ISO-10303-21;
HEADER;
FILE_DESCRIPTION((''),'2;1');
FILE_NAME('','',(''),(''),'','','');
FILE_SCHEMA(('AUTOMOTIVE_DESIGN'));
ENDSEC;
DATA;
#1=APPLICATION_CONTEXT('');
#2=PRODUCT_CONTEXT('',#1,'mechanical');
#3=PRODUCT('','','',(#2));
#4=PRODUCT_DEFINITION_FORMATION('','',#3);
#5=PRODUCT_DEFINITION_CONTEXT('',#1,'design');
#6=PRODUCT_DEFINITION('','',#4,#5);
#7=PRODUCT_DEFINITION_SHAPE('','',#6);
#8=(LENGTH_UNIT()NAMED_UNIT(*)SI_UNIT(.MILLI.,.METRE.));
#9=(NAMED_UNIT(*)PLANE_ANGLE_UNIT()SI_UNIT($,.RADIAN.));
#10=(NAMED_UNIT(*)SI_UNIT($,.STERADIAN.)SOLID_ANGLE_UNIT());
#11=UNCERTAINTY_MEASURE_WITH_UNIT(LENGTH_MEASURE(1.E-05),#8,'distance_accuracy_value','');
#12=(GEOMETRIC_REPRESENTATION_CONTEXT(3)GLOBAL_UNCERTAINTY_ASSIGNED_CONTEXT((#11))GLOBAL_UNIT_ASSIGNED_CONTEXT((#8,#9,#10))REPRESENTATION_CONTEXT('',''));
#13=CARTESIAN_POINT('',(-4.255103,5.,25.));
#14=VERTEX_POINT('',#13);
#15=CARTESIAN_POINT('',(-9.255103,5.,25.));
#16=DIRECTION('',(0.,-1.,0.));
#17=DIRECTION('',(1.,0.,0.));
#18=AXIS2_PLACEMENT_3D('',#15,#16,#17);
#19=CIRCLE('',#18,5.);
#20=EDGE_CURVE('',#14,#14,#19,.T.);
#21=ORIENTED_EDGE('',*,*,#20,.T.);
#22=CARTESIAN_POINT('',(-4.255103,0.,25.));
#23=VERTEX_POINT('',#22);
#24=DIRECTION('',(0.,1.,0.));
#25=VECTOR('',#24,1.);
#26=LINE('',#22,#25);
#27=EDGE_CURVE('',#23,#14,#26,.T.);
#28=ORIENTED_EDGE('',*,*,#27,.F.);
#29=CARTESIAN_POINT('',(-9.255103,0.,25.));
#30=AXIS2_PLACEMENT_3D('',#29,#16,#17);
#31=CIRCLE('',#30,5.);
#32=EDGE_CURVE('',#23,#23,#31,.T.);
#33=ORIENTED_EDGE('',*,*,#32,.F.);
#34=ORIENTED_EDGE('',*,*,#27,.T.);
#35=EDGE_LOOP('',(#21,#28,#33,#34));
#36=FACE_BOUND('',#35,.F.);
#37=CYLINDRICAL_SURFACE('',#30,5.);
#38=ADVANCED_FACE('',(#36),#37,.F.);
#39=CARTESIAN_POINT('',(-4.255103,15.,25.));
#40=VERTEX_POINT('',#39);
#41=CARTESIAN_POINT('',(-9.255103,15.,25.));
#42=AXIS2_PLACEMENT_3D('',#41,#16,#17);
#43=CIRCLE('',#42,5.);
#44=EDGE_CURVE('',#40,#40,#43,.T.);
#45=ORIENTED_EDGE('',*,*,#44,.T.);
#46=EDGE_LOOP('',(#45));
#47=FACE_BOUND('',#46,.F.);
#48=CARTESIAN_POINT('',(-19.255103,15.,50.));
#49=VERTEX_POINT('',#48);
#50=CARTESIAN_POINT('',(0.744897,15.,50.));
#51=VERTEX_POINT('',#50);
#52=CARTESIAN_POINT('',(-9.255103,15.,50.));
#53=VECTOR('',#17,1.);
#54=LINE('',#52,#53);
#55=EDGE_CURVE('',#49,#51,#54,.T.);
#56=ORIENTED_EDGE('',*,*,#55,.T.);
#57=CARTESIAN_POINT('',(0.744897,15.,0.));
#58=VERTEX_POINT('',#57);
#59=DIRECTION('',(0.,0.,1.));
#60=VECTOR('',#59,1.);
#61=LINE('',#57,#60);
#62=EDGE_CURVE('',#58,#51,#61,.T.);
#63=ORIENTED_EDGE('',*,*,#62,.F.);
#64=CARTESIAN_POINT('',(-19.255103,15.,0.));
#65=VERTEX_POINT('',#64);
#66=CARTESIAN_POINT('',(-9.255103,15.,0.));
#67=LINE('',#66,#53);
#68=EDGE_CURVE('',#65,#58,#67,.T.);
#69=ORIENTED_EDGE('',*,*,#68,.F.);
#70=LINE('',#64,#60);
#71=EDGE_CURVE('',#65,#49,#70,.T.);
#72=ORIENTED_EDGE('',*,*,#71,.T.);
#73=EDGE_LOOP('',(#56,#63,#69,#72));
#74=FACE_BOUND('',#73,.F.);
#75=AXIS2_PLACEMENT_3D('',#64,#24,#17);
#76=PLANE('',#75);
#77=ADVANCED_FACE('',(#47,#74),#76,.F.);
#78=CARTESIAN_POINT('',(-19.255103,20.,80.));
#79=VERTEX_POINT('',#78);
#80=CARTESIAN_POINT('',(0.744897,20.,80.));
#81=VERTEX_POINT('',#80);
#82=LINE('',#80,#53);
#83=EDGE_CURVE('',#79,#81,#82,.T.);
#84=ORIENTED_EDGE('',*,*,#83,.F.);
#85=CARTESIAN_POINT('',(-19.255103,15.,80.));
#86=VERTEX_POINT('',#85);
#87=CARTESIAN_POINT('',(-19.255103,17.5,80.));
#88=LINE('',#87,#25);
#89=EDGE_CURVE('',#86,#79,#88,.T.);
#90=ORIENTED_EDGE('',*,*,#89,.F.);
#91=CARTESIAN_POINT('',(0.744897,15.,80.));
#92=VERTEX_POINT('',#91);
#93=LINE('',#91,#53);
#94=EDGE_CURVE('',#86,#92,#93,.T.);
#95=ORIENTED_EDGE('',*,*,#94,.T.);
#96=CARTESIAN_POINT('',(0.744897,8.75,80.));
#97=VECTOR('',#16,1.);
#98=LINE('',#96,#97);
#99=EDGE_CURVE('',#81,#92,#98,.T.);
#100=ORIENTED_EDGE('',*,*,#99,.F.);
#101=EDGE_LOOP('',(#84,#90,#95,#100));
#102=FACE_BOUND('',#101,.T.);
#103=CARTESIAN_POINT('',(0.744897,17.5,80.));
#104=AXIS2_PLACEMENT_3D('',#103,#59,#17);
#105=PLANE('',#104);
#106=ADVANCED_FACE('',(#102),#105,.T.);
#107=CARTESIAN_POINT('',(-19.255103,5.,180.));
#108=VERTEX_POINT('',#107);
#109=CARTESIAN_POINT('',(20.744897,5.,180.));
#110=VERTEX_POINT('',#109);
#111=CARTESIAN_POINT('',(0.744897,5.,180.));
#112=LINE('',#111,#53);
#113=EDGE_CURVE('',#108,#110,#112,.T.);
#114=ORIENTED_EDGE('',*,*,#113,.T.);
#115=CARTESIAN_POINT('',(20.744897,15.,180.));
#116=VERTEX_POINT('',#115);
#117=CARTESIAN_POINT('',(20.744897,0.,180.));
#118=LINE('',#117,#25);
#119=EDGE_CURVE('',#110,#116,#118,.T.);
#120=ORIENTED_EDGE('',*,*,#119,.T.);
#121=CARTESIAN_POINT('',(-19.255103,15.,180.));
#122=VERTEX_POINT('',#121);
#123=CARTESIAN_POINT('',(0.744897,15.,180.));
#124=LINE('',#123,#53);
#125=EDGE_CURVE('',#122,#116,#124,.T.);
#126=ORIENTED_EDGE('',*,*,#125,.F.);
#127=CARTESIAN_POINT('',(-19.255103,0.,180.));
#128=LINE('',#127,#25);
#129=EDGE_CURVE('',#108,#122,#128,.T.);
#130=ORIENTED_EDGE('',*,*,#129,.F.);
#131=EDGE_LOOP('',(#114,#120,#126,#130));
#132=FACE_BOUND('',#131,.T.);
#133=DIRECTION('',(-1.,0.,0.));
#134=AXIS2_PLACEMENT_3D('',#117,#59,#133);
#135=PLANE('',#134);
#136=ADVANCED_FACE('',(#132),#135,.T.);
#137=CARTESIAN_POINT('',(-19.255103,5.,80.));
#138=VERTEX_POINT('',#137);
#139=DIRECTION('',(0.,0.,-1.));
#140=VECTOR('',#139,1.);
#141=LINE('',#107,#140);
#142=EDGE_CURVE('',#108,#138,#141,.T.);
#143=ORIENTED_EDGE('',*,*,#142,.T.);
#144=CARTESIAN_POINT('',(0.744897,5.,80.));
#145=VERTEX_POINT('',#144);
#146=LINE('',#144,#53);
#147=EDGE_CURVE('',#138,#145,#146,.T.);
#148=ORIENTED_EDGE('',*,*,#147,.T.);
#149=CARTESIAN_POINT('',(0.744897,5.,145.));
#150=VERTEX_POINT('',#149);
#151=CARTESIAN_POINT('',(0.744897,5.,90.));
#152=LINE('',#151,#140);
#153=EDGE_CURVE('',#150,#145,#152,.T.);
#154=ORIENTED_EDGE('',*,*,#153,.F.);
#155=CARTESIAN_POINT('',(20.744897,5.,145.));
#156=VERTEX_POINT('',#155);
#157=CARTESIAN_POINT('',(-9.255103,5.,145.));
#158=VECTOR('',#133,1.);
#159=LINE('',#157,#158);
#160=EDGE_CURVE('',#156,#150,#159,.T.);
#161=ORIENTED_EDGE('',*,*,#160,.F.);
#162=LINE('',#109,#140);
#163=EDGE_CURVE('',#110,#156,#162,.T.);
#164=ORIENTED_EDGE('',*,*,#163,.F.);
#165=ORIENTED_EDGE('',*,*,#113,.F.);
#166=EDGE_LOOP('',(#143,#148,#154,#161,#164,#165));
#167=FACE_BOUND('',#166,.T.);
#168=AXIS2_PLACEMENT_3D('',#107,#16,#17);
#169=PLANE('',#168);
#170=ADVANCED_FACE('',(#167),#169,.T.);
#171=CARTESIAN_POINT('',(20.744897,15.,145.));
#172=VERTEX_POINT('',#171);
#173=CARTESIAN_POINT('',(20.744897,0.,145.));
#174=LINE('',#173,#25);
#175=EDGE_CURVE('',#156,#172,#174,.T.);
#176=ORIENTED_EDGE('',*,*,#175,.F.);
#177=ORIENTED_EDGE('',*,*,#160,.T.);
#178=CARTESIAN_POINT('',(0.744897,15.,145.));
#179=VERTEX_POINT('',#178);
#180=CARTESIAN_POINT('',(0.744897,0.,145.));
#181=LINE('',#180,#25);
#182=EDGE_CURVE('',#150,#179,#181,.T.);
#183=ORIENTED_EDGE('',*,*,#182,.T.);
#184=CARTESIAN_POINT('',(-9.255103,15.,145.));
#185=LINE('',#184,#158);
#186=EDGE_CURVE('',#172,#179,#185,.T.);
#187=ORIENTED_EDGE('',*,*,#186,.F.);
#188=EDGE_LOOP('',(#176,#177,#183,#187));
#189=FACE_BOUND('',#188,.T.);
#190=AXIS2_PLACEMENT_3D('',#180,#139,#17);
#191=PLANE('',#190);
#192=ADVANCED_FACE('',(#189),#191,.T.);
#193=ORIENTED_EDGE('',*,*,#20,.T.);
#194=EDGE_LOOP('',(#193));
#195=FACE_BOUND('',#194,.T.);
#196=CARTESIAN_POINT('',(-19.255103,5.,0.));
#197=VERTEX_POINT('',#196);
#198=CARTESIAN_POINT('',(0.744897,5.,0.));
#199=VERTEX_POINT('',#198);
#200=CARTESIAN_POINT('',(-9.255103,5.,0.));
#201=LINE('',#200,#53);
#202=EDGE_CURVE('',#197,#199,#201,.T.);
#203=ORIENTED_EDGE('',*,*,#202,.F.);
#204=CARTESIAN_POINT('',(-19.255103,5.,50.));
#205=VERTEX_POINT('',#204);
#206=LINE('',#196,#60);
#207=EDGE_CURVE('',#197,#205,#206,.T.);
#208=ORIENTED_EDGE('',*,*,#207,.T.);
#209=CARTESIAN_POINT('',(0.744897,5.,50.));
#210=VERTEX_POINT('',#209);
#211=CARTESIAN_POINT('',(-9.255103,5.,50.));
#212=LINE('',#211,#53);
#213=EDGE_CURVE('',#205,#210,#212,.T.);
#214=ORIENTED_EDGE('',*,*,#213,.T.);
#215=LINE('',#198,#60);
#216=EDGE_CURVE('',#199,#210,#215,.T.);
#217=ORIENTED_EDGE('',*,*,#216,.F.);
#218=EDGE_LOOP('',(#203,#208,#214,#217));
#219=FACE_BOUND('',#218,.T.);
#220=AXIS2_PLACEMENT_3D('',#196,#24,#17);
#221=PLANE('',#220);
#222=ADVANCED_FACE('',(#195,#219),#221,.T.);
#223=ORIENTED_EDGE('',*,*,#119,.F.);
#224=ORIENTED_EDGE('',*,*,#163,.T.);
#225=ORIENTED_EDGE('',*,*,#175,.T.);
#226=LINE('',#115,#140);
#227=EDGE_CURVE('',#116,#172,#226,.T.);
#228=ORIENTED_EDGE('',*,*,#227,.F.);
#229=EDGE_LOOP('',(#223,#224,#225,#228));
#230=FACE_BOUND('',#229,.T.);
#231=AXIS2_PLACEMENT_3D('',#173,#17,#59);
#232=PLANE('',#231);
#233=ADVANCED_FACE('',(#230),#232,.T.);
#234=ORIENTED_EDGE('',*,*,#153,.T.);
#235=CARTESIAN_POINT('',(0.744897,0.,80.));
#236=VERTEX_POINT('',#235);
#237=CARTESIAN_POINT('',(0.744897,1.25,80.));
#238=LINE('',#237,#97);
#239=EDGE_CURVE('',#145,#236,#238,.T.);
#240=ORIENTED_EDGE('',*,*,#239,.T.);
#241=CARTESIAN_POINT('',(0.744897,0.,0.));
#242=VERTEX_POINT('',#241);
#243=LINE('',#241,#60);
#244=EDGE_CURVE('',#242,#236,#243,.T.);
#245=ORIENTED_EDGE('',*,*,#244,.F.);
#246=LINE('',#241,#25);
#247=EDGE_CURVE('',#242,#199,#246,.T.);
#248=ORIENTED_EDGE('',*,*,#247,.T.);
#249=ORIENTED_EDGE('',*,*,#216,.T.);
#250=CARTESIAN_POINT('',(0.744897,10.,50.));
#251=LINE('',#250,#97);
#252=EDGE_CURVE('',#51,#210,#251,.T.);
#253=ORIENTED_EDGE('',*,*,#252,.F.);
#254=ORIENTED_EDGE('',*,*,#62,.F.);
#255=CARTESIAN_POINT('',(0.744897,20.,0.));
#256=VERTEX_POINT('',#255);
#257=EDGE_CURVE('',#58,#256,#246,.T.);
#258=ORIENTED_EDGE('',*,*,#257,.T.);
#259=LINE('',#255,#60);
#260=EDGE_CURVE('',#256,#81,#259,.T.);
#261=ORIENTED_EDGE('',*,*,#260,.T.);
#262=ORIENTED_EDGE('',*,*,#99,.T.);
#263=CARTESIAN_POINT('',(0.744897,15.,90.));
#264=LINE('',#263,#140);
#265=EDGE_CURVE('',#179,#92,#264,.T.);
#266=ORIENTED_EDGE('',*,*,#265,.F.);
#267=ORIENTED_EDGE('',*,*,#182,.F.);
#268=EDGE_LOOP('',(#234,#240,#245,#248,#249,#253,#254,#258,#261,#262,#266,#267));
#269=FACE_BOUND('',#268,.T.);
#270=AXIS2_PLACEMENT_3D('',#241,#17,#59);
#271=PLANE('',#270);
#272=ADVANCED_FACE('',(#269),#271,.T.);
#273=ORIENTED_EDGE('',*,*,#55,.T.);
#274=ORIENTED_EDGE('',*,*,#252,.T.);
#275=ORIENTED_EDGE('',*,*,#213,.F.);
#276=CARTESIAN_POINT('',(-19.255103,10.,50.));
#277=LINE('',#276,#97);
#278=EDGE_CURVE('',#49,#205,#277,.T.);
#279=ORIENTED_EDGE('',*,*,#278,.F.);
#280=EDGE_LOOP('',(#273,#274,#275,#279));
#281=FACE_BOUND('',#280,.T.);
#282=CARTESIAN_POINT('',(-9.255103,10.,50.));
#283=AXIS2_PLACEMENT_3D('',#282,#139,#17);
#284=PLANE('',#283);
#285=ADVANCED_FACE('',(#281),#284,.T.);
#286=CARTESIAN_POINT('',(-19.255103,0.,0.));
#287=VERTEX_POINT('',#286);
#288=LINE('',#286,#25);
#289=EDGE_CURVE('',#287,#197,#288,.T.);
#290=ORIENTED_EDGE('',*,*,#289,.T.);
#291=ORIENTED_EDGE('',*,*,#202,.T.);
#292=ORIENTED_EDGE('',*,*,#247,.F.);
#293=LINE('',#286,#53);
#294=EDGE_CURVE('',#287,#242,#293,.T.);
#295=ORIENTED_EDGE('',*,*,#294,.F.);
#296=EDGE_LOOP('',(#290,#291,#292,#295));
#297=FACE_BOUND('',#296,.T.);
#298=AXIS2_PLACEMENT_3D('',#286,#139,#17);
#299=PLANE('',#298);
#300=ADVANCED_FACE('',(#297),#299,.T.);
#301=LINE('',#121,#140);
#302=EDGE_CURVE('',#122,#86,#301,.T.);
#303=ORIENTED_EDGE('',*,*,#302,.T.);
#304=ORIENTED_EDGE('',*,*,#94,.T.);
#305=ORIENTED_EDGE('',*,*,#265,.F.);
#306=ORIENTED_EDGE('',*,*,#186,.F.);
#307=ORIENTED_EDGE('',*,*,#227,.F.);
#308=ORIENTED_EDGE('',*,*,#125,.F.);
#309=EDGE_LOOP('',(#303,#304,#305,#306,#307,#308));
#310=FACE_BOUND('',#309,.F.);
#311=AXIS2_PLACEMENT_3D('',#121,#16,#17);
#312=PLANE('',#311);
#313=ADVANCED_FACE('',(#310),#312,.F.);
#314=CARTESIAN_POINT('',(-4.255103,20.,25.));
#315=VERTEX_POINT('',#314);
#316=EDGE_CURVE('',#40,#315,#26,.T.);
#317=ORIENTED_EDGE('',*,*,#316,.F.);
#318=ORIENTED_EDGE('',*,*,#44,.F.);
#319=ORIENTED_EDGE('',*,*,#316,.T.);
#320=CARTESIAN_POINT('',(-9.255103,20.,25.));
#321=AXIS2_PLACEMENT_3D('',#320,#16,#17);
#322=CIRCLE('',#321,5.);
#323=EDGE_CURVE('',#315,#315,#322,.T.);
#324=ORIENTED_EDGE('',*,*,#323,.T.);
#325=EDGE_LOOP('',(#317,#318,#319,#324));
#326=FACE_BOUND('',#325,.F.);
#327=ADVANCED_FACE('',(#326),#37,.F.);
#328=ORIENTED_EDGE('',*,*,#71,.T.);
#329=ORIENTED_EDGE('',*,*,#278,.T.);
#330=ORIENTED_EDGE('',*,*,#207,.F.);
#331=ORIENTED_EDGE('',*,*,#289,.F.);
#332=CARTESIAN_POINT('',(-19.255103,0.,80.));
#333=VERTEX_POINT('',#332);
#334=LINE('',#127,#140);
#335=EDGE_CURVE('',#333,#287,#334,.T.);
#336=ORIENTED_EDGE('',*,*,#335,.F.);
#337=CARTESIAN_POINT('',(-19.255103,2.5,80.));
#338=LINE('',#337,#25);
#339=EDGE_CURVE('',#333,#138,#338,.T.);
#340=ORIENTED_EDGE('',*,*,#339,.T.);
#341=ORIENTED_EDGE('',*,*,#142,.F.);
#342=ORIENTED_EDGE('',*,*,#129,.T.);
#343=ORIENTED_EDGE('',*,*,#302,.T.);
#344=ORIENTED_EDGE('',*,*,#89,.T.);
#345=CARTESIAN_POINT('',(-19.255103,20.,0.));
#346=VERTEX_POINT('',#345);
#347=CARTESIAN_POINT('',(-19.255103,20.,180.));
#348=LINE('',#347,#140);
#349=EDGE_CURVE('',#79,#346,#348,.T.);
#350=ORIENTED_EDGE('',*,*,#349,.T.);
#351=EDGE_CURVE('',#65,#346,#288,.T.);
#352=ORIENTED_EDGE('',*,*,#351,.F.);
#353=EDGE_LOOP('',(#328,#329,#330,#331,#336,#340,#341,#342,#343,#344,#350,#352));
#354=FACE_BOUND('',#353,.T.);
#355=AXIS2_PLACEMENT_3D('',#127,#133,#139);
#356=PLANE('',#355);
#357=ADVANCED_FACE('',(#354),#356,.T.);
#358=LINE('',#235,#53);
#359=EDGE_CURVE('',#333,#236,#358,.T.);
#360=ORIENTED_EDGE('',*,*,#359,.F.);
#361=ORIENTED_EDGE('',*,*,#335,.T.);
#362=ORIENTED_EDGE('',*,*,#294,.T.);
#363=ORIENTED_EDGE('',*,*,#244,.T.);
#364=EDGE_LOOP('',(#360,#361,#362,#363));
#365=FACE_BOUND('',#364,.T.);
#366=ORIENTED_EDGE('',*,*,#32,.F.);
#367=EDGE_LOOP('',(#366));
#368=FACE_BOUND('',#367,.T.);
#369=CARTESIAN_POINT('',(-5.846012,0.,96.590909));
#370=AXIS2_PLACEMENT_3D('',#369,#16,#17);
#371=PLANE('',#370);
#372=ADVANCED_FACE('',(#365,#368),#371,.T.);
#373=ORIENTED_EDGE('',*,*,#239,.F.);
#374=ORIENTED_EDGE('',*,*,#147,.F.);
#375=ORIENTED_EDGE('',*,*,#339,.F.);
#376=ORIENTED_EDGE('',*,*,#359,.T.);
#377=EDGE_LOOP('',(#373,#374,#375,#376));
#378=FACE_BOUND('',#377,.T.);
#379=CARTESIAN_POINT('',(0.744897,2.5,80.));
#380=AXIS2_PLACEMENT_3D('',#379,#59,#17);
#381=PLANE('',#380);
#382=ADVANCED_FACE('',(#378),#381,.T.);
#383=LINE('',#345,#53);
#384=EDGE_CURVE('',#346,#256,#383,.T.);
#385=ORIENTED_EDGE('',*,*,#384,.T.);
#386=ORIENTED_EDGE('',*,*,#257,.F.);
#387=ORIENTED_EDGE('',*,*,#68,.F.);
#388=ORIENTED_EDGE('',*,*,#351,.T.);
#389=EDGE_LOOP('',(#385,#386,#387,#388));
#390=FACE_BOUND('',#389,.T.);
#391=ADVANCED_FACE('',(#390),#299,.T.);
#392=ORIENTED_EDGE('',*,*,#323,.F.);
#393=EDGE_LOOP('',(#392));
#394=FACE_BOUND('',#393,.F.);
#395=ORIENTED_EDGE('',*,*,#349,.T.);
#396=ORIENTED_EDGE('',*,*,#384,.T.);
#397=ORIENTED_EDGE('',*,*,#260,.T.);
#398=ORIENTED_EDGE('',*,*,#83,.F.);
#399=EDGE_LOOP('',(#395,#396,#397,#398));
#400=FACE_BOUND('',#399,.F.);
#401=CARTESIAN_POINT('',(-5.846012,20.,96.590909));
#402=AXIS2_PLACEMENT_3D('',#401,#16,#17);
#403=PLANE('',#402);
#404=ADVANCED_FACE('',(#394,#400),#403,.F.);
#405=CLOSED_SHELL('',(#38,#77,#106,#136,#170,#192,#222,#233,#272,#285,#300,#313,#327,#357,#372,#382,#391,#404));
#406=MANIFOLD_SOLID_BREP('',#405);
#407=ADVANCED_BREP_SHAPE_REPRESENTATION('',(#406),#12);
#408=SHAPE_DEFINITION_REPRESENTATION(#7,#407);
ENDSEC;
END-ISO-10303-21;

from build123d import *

# Parameters (mm, degrees)
F1_DEPTH = 20
F2_W     = 40
F2_H     = 5
F3_DEPTH = 100
F4_W     = 20
F4_H     = 10
F5_DEPTH = 50
F6_R     = 5
F7_DEPTH = 20.001


with BuildPart() as f1:
    # F0 (on Front) → F1 (new body)
    with BuildSketch(Plane.XZ):
        Polygon((-19.255103, 180), (-19.255103, 0), (0.744897, 0), (0.744897, 145), (20.744897, 145), (20.744897, 180), align=None)
    extrude(amount=-F1_DEPTH)

    # F2 (on face) → F3 (cut)
    with BuildSketch(Plane.XY.offset(180)):
        with Locations((0.744897, 17.5)):
            Rectangle(F2_W, F2_H)
        with Locations((0.744897, 2.5)):
            Rectangle(F2_W, F2_H)
    extrude(amount=-F3_DEPTH, mode=Mode.SUBTRACT)

    # F4 (on face) → F5 (cut)
    with BuildSketch(Plane(origin=(0, 0, 0), x_dir=(1, 0, 0), z_dir=(0, 0, -1))):
        with Locations((-9.255103, -10)):
            Rectangle(F4_W, F4_H)
    extrude(amount=-F5_DEPTH, mode=Mode.SUBTRACT)

    # F6 (on face) → F7 (cut, through all)
    with BuildSketch(Plane.XZ):
        with Locations((-9.255103, 25)):
            Circle(F6_R)
    extrude(amount=-F7_DEPTH, mode=Mode.SUBTRACT)


solid = f1.part
